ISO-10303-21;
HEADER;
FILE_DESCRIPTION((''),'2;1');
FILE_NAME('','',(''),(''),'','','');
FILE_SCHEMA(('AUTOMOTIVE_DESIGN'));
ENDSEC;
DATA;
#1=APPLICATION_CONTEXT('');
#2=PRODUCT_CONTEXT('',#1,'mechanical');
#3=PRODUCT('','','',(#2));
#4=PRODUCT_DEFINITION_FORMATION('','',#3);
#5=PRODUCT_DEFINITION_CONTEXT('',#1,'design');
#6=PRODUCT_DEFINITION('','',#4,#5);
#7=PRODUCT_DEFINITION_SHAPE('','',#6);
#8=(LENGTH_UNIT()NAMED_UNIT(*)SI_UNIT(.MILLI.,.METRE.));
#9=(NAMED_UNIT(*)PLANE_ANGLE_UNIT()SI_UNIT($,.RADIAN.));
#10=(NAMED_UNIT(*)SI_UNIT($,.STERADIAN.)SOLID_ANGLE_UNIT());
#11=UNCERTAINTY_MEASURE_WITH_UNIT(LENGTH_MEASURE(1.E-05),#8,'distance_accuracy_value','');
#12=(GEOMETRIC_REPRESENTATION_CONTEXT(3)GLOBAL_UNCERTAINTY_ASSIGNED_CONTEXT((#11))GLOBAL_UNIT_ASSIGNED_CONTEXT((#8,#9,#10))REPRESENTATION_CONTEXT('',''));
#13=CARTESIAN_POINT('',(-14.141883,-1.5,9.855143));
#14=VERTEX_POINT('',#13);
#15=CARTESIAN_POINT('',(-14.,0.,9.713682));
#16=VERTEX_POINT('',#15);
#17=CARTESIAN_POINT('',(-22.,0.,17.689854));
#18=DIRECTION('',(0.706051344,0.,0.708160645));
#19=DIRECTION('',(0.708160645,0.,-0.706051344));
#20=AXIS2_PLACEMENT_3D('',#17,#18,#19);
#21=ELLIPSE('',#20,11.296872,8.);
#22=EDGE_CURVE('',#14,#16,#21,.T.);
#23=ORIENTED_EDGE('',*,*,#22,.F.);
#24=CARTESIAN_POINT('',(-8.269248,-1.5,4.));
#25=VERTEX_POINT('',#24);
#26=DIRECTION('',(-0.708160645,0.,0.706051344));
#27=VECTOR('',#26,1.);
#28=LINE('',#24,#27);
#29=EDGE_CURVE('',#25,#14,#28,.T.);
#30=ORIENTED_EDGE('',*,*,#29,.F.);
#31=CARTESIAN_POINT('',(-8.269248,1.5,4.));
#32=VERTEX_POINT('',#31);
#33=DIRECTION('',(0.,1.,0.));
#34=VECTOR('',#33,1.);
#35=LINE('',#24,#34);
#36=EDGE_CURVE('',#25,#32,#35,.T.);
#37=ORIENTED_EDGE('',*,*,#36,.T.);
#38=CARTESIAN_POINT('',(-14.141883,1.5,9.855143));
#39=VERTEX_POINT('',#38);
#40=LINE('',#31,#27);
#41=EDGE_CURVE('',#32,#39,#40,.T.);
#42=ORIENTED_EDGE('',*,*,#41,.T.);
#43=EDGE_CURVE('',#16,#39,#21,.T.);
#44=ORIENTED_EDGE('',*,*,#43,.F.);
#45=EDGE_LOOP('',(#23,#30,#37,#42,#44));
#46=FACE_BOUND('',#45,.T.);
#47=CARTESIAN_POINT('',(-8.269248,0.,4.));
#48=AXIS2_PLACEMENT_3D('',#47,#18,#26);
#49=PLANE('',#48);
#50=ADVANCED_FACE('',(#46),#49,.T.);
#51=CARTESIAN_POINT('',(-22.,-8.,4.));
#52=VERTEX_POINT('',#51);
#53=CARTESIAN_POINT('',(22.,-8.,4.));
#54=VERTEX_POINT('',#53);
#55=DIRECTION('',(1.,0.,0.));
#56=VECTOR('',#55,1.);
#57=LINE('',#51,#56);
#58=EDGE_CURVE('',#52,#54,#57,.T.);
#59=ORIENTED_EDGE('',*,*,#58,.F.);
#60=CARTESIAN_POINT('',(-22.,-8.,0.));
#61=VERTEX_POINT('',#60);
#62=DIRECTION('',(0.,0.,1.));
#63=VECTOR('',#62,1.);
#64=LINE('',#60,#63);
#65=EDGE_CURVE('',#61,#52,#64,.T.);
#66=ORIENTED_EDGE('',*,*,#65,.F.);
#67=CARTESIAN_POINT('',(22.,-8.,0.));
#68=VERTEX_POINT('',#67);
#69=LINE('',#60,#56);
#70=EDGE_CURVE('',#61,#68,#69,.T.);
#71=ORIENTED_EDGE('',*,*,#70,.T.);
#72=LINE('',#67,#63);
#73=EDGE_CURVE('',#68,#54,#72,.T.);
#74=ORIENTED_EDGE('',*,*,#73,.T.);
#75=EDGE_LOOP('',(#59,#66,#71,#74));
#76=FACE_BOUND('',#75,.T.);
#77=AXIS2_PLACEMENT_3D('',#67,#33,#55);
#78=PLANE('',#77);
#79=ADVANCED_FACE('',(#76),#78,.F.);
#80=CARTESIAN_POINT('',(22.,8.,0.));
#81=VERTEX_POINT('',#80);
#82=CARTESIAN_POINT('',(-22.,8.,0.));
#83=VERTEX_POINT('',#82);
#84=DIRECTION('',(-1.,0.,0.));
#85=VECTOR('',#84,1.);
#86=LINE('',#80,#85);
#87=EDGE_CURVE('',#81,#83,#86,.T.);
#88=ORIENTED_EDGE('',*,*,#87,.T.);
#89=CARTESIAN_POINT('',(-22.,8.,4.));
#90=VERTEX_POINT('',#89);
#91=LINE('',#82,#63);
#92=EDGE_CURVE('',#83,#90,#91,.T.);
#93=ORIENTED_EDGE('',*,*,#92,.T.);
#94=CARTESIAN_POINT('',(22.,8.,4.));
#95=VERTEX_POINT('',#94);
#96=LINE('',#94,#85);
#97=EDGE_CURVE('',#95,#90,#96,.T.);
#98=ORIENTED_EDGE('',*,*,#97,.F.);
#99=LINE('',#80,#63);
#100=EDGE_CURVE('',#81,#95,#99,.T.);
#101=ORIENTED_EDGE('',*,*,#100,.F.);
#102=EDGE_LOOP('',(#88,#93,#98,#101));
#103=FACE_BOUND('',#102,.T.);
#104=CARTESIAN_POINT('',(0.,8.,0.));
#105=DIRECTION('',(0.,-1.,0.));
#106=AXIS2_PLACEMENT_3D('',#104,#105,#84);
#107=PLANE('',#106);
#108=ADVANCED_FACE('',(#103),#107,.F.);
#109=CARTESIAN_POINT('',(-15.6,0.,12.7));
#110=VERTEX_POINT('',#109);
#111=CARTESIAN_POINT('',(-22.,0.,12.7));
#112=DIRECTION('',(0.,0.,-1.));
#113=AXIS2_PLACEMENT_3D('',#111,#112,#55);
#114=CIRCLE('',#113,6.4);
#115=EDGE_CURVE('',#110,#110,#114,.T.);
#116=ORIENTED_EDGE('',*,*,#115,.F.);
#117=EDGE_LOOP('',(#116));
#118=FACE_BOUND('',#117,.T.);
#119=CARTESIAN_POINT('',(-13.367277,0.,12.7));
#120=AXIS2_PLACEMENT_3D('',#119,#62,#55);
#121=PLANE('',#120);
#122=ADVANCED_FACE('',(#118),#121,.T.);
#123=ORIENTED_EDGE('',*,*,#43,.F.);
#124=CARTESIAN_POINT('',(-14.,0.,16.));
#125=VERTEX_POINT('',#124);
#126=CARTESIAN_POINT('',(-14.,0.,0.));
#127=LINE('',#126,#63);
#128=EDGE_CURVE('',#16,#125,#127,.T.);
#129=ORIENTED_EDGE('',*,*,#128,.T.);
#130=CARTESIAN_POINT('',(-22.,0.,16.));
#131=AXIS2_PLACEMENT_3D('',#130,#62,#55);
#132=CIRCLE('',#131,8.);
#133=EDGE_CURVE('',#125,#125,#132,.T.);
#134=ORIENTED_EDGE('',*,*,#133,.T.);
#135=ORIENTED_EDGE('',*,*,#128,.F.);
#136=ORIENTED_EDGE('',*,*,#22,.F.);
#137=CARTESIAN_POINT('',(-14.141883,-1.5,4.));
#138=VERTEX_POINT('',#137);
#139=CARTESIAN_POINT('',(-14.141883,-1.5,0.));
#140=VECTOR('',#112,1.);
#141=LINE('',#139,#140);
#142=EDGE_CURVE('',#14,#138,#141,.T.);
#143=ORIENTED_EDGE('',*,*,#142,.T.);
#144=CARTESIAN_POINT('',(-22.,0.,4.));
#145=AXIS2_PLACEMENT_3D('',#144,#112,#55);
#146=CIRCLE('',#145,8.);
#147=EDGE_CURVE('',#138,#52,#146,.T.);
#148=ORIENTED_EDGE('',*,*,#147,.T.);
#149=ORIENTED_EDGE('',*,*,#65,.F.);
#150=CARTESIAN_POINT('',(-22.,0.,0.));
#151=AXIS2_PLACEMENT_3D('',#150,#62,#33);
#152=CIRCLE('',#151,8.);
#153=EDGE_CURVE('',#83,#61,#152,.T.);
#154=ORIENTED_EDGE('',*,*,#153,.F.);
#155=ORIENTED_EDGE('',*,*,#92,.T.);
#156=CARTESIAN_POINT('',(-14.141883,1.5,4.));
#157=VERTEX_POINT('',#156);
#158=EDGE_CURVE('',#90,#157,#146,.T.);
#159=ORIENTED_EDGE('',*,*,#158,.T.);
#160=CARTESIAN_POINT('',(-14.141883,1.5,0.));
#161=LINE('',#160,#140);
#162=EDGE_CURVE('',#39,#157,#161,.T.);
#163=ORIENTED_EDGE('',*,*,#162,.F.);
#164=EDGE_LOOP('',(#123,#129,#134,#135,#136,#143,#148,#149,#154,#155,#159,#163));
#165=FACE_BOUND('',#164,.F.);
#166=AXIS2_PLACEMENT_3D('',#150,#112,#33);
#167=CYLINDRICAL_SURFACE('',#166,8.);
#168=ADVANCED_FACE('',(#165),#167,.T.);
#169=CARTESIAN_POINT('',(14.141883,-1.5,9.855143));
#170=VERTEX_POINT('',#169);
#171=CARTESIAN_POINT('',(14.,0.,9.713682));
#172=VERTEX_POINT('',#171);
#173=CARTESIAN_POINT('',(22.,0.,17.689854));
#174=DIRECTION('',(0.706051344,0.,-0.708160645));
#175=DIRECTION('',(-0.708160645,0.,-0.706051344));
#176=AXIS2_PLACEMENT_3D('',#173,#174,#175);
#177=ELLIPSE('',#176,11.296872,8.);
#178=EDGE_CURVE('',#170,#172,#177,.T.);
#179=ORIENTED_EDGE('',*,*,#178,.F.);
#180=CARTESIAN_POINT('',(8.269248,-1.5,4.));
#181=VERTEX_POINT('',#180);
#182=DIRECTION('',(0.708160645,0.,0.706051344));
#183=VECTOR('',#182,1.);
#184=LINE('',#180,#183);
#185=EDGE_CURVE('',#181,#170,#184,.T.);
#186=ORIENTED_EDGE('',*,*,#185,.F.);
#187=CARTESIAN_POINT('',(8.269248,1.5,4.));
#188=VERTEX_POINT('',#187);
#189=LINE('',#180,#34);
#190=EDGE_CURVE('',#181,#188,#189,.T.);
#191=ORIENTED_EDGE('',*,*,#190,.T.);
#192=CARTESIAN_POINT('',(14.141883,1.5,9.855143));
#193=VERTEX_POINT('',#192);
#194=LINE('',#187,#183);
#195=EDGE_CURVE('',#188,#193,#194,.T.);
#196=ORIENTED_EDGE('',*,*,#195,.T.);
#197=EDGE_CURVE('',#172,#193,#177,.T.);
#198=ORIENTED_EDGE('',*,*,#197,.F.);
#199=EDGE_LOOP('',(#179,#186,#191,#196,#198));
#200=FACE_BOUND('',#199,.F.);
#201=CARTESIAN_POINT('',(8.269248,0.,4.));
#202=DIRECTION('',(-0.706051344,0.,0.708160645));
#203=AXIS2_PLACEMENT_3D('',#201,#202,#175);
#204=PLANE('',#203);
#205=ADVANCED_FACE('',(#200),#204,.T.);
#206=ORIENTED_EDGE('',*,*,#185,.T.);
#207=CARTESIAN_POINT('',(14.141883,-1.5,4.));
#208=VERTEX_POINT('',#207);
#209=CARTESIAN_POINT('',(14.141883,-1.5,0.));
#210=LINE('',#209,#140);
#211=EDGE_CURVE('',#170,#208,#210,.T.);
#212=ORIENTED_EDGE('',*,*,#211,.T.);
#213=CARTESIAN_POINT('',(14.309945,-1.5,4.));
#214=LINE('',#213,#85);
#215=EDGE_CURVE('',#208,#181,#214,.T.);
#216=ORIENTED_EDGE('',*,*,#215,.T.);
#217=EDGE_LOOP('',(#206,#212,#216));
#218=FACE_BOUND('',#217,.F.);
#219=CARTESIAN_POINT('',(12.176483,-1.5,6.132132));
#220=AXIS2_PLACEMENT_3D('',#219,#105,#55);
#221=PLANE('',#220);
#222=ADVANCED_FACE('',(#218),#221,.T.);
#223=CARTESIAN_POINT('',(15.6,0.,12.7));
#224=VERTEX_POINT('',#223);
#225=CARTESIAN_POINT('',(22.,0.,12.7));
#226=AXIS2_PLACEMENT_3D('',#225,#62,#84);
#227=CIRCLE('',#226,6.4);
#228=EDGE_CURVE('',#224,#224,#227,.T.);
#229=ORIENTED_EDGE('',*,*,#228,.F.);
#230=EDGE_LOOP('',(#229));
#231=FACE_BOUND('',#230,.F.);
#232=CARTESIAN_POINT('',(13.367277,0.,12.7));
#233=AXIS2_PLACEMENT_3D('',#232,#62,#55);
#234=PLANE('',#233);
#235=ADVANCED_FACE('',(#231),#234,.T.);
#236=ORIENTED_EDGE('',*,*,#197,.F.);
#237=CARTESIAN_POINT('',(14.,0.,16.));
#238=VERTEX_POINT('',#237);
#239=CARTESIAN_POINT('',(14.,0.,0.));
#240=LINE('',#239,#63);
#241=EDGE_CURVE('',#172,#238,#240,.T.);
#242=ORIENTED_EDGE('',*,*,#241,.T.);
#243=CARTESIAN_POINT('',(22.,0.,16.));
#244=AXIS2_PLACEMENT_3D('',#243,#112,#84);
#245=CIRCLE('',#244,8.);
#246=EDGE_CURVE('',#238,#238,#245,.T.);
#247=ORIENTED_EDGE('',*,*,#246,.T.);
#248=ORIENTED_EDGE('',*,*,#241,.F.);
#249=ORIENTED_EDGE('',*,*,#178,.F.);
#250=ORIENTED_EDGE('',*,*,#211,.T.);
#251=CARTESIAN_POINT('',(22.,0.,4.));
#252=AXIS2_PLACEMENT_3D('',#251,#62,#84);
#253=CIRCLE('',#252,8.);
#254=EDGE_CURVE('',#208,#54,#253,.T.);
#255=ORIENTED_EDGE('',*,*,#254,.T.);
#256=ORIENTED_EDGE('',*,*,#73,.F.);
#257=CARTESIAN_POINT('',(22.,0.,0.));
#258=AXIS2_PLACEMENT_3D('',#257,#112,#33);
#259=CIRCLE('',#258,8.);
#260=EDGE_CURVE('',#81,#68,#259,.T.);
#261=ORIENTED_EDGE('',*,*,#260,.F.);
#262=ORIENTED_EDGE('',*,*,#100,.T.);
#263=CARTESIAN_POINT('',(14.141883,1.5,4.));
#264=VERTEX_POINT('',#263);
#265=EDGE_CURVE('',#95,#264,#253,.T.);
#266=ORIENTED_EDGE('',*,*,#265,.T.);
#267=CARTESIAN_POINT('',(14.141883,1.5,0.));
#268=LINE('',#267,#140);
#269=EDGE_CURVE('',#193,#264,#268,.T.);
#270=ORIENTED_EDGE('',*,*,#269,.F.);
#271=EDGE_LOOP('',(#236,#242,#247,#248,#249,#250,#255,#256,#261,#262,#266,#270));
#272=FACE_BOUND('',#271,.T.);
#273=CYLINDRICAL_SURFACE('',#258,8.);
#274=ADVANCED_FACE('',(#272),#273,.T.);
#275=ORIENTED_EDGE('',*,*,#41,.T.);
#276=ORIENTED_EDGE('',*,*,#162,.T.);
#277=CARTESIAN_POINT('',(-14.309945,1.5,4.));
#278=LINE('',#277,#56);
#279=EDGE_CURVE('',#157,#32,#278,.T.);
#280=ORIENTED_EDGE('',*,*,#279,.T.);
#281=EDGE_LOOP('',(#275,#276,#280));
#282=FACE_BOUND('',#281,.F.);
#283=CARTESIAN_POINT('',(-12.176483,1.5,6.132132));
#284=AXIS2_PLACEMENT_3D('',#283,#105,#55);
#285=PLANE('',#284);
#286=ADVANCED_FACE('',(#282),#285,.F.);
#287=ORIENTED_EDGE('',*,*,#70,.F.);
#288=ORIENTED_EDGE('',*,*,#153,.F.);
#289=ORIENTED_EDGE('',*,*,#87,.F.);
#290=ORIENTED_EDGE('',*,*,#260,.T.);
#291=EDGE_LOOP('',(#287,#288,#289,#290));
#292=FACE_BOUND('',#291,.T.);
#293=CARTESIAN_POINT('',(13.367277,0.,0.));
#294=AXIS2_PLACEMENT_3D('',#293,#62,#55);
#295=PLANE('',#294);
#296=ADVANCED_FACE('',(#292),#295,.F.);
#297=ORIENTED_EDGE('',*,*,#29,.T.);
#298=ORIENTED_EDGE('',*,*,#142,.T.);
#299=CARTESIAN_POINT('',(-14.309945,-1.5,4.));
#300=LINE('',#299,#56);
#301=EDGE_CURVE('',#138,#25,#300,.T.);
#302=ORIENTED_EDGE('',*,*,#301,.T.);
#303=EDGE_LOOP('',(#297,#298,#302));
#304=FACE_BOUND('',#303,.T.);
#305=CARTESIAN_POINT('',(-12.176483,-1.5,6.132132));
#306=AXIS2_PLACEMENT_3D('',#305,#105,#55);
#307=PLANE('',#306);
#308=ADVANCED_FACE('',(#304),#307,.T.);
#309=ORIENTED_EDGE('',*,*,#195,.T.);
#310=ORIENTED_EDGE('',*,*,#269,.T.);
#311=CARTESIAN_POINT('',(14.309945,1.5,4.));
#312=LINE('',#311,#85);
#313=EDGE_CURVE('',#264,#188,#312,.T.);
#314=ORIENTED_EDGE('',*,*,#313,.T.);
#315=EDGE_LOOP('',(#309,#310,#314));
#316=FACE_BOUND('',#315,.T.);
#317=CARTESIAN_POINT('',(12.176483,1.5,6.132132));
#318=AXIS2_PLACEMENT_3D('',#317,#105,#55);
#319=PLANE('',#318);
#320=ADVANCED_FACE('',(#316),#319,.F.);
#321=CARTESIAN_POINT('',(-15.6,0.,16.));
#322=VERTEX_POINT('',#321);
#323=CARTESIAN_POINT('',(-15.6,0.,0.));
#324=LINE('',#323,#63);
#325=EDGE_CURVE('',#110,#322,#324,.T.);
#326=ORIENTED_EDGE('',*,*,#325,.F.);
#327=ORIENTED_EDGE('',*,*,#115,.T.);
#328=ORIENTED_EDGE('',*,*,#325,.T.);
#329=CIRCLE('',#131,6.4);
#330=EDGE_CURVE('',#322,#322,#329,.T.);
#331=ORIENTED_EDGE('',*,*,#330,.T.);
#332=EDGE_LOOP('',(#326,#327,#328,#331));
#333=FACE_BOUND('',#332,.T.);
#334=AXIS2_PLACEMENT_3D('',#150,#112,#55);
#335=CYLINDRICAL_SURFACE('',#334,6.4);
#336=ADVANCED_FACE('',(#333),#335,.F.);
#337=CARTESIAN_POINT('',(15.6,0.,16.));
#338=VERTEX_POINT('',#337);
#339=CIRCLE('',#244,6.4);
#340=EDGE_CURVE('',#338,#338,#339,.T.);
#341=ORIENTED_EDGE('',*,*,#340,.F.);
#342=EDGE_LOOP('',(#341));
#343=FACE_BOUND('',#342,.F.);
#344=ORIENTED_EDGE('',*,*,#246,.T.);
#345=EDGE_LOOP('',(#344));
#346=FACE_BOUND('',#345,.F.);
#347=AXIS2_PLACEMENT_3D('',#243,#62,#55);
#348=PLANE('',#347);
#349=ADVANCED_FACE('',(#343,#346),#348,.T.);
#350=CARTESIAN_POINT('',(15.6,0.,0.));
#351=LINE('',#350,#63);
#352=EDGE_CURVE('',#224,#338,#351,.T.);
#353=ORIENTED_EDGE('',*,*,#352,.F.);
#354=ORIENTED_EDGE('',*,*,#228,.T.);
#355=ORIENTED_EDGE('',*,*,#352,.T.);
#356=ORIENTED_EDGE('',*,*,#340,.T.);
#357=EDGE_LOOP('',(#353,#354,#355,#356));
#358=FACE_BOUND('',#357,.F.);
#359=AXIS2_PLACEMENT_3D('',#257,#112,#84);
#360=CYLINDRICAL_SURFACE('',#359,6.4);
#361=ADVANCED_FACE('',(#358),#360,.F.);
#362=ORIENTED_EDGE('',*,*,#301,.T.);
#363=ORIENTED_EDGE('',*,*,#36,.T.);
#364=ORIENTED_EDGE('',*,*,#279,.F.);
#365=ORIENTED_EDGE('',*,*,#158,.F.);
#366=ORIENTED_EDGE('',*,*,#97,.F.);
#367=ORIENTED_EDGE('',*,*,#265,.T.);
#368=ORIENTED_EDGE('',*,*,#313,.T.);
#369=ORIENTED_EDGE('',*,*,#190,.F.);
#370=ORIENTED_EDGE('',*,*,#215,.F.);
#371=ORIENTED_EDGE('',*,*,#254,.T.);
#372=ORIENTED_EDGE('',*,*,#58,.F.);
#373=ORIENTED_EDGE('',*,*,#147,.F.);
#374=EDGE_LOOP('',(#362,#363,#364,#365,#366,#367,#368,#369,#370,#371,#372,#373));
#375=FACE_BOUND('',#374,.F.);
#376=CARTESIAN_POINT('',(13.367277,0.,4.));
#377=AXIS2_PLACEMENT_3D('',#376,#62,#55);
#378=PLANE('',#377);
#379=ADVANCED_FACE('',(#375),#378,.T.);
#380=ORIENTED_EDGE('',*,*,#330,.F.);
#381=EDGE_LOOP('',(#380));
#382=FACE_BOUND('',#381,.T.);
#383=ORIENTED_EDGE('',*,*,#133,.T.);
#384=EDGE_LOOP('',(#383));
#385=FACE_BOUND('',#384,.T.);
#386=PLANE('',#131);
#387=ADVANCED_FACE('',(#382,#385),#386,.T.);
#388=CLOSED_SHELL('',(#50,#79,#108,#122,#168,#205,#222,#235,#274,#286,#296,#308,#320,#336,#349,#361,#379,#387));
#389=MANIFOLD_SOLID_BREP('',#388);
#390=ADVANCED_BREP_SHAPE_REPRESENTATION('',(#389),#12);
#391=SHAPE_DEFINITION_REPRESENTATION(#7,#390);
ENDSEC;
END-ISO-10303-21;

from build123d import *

# Parameters (mm, degrees)
F1_R     = 8
F1_R_2   = 6.4
F2_DEPTH = 16
F3_DEPTH = 4
F4_DEPTH = 8.7
F6_DEPTH = 1.5


with BuildPart() as f2:
    # F1 (on Top) → F2 (new body)
    with BuildSketch(Plane.XY):
        with Locations((-22, 0)):
            Circle(F1_R)
        with Locations((-22, 0)):
            Circle(F1_R_2, mode=Mode.SUBTRACT)
    extrude(amount=F2_DEPTH)

    # F0 (on Top) → F3 (join)
    with BuildSketch(Plane.XY):
        with BuildLine():
            Line((0, 8), (-22, 8))
            ThreePointArc((-22, 8), (-30, 0), (-22, -8))
            Line((-22, -8), (0, -8))
            Line((0, -8), (0, 8))
        make_face()
    extrude(amount=F3_DEPTH)

    # F4 (add): a face of the model
    f4_faces = [f2.faces().sort_by_distance(p)[0] for p in [
        (-22, 0, 4),
    ]]
    extrude(f4_faces, amount=F4_DEPTH)

    # F5 (on Front) → F6 (join, symmetric)
    with BuildSketch(Plane.XZ):
        Polygon((-8.2692483334, 4), (-14.318941161, 10.031673433), (-14.3099449018, 4), align=None)
    extrude(amount=F6_DEPTH, both=True)

    # F7: F2 across plane


with BuildPart() as f2_1:
    add(f2.part)
    add(f2.part.mirror(Plane.YZ))


solid = f2_1.part
